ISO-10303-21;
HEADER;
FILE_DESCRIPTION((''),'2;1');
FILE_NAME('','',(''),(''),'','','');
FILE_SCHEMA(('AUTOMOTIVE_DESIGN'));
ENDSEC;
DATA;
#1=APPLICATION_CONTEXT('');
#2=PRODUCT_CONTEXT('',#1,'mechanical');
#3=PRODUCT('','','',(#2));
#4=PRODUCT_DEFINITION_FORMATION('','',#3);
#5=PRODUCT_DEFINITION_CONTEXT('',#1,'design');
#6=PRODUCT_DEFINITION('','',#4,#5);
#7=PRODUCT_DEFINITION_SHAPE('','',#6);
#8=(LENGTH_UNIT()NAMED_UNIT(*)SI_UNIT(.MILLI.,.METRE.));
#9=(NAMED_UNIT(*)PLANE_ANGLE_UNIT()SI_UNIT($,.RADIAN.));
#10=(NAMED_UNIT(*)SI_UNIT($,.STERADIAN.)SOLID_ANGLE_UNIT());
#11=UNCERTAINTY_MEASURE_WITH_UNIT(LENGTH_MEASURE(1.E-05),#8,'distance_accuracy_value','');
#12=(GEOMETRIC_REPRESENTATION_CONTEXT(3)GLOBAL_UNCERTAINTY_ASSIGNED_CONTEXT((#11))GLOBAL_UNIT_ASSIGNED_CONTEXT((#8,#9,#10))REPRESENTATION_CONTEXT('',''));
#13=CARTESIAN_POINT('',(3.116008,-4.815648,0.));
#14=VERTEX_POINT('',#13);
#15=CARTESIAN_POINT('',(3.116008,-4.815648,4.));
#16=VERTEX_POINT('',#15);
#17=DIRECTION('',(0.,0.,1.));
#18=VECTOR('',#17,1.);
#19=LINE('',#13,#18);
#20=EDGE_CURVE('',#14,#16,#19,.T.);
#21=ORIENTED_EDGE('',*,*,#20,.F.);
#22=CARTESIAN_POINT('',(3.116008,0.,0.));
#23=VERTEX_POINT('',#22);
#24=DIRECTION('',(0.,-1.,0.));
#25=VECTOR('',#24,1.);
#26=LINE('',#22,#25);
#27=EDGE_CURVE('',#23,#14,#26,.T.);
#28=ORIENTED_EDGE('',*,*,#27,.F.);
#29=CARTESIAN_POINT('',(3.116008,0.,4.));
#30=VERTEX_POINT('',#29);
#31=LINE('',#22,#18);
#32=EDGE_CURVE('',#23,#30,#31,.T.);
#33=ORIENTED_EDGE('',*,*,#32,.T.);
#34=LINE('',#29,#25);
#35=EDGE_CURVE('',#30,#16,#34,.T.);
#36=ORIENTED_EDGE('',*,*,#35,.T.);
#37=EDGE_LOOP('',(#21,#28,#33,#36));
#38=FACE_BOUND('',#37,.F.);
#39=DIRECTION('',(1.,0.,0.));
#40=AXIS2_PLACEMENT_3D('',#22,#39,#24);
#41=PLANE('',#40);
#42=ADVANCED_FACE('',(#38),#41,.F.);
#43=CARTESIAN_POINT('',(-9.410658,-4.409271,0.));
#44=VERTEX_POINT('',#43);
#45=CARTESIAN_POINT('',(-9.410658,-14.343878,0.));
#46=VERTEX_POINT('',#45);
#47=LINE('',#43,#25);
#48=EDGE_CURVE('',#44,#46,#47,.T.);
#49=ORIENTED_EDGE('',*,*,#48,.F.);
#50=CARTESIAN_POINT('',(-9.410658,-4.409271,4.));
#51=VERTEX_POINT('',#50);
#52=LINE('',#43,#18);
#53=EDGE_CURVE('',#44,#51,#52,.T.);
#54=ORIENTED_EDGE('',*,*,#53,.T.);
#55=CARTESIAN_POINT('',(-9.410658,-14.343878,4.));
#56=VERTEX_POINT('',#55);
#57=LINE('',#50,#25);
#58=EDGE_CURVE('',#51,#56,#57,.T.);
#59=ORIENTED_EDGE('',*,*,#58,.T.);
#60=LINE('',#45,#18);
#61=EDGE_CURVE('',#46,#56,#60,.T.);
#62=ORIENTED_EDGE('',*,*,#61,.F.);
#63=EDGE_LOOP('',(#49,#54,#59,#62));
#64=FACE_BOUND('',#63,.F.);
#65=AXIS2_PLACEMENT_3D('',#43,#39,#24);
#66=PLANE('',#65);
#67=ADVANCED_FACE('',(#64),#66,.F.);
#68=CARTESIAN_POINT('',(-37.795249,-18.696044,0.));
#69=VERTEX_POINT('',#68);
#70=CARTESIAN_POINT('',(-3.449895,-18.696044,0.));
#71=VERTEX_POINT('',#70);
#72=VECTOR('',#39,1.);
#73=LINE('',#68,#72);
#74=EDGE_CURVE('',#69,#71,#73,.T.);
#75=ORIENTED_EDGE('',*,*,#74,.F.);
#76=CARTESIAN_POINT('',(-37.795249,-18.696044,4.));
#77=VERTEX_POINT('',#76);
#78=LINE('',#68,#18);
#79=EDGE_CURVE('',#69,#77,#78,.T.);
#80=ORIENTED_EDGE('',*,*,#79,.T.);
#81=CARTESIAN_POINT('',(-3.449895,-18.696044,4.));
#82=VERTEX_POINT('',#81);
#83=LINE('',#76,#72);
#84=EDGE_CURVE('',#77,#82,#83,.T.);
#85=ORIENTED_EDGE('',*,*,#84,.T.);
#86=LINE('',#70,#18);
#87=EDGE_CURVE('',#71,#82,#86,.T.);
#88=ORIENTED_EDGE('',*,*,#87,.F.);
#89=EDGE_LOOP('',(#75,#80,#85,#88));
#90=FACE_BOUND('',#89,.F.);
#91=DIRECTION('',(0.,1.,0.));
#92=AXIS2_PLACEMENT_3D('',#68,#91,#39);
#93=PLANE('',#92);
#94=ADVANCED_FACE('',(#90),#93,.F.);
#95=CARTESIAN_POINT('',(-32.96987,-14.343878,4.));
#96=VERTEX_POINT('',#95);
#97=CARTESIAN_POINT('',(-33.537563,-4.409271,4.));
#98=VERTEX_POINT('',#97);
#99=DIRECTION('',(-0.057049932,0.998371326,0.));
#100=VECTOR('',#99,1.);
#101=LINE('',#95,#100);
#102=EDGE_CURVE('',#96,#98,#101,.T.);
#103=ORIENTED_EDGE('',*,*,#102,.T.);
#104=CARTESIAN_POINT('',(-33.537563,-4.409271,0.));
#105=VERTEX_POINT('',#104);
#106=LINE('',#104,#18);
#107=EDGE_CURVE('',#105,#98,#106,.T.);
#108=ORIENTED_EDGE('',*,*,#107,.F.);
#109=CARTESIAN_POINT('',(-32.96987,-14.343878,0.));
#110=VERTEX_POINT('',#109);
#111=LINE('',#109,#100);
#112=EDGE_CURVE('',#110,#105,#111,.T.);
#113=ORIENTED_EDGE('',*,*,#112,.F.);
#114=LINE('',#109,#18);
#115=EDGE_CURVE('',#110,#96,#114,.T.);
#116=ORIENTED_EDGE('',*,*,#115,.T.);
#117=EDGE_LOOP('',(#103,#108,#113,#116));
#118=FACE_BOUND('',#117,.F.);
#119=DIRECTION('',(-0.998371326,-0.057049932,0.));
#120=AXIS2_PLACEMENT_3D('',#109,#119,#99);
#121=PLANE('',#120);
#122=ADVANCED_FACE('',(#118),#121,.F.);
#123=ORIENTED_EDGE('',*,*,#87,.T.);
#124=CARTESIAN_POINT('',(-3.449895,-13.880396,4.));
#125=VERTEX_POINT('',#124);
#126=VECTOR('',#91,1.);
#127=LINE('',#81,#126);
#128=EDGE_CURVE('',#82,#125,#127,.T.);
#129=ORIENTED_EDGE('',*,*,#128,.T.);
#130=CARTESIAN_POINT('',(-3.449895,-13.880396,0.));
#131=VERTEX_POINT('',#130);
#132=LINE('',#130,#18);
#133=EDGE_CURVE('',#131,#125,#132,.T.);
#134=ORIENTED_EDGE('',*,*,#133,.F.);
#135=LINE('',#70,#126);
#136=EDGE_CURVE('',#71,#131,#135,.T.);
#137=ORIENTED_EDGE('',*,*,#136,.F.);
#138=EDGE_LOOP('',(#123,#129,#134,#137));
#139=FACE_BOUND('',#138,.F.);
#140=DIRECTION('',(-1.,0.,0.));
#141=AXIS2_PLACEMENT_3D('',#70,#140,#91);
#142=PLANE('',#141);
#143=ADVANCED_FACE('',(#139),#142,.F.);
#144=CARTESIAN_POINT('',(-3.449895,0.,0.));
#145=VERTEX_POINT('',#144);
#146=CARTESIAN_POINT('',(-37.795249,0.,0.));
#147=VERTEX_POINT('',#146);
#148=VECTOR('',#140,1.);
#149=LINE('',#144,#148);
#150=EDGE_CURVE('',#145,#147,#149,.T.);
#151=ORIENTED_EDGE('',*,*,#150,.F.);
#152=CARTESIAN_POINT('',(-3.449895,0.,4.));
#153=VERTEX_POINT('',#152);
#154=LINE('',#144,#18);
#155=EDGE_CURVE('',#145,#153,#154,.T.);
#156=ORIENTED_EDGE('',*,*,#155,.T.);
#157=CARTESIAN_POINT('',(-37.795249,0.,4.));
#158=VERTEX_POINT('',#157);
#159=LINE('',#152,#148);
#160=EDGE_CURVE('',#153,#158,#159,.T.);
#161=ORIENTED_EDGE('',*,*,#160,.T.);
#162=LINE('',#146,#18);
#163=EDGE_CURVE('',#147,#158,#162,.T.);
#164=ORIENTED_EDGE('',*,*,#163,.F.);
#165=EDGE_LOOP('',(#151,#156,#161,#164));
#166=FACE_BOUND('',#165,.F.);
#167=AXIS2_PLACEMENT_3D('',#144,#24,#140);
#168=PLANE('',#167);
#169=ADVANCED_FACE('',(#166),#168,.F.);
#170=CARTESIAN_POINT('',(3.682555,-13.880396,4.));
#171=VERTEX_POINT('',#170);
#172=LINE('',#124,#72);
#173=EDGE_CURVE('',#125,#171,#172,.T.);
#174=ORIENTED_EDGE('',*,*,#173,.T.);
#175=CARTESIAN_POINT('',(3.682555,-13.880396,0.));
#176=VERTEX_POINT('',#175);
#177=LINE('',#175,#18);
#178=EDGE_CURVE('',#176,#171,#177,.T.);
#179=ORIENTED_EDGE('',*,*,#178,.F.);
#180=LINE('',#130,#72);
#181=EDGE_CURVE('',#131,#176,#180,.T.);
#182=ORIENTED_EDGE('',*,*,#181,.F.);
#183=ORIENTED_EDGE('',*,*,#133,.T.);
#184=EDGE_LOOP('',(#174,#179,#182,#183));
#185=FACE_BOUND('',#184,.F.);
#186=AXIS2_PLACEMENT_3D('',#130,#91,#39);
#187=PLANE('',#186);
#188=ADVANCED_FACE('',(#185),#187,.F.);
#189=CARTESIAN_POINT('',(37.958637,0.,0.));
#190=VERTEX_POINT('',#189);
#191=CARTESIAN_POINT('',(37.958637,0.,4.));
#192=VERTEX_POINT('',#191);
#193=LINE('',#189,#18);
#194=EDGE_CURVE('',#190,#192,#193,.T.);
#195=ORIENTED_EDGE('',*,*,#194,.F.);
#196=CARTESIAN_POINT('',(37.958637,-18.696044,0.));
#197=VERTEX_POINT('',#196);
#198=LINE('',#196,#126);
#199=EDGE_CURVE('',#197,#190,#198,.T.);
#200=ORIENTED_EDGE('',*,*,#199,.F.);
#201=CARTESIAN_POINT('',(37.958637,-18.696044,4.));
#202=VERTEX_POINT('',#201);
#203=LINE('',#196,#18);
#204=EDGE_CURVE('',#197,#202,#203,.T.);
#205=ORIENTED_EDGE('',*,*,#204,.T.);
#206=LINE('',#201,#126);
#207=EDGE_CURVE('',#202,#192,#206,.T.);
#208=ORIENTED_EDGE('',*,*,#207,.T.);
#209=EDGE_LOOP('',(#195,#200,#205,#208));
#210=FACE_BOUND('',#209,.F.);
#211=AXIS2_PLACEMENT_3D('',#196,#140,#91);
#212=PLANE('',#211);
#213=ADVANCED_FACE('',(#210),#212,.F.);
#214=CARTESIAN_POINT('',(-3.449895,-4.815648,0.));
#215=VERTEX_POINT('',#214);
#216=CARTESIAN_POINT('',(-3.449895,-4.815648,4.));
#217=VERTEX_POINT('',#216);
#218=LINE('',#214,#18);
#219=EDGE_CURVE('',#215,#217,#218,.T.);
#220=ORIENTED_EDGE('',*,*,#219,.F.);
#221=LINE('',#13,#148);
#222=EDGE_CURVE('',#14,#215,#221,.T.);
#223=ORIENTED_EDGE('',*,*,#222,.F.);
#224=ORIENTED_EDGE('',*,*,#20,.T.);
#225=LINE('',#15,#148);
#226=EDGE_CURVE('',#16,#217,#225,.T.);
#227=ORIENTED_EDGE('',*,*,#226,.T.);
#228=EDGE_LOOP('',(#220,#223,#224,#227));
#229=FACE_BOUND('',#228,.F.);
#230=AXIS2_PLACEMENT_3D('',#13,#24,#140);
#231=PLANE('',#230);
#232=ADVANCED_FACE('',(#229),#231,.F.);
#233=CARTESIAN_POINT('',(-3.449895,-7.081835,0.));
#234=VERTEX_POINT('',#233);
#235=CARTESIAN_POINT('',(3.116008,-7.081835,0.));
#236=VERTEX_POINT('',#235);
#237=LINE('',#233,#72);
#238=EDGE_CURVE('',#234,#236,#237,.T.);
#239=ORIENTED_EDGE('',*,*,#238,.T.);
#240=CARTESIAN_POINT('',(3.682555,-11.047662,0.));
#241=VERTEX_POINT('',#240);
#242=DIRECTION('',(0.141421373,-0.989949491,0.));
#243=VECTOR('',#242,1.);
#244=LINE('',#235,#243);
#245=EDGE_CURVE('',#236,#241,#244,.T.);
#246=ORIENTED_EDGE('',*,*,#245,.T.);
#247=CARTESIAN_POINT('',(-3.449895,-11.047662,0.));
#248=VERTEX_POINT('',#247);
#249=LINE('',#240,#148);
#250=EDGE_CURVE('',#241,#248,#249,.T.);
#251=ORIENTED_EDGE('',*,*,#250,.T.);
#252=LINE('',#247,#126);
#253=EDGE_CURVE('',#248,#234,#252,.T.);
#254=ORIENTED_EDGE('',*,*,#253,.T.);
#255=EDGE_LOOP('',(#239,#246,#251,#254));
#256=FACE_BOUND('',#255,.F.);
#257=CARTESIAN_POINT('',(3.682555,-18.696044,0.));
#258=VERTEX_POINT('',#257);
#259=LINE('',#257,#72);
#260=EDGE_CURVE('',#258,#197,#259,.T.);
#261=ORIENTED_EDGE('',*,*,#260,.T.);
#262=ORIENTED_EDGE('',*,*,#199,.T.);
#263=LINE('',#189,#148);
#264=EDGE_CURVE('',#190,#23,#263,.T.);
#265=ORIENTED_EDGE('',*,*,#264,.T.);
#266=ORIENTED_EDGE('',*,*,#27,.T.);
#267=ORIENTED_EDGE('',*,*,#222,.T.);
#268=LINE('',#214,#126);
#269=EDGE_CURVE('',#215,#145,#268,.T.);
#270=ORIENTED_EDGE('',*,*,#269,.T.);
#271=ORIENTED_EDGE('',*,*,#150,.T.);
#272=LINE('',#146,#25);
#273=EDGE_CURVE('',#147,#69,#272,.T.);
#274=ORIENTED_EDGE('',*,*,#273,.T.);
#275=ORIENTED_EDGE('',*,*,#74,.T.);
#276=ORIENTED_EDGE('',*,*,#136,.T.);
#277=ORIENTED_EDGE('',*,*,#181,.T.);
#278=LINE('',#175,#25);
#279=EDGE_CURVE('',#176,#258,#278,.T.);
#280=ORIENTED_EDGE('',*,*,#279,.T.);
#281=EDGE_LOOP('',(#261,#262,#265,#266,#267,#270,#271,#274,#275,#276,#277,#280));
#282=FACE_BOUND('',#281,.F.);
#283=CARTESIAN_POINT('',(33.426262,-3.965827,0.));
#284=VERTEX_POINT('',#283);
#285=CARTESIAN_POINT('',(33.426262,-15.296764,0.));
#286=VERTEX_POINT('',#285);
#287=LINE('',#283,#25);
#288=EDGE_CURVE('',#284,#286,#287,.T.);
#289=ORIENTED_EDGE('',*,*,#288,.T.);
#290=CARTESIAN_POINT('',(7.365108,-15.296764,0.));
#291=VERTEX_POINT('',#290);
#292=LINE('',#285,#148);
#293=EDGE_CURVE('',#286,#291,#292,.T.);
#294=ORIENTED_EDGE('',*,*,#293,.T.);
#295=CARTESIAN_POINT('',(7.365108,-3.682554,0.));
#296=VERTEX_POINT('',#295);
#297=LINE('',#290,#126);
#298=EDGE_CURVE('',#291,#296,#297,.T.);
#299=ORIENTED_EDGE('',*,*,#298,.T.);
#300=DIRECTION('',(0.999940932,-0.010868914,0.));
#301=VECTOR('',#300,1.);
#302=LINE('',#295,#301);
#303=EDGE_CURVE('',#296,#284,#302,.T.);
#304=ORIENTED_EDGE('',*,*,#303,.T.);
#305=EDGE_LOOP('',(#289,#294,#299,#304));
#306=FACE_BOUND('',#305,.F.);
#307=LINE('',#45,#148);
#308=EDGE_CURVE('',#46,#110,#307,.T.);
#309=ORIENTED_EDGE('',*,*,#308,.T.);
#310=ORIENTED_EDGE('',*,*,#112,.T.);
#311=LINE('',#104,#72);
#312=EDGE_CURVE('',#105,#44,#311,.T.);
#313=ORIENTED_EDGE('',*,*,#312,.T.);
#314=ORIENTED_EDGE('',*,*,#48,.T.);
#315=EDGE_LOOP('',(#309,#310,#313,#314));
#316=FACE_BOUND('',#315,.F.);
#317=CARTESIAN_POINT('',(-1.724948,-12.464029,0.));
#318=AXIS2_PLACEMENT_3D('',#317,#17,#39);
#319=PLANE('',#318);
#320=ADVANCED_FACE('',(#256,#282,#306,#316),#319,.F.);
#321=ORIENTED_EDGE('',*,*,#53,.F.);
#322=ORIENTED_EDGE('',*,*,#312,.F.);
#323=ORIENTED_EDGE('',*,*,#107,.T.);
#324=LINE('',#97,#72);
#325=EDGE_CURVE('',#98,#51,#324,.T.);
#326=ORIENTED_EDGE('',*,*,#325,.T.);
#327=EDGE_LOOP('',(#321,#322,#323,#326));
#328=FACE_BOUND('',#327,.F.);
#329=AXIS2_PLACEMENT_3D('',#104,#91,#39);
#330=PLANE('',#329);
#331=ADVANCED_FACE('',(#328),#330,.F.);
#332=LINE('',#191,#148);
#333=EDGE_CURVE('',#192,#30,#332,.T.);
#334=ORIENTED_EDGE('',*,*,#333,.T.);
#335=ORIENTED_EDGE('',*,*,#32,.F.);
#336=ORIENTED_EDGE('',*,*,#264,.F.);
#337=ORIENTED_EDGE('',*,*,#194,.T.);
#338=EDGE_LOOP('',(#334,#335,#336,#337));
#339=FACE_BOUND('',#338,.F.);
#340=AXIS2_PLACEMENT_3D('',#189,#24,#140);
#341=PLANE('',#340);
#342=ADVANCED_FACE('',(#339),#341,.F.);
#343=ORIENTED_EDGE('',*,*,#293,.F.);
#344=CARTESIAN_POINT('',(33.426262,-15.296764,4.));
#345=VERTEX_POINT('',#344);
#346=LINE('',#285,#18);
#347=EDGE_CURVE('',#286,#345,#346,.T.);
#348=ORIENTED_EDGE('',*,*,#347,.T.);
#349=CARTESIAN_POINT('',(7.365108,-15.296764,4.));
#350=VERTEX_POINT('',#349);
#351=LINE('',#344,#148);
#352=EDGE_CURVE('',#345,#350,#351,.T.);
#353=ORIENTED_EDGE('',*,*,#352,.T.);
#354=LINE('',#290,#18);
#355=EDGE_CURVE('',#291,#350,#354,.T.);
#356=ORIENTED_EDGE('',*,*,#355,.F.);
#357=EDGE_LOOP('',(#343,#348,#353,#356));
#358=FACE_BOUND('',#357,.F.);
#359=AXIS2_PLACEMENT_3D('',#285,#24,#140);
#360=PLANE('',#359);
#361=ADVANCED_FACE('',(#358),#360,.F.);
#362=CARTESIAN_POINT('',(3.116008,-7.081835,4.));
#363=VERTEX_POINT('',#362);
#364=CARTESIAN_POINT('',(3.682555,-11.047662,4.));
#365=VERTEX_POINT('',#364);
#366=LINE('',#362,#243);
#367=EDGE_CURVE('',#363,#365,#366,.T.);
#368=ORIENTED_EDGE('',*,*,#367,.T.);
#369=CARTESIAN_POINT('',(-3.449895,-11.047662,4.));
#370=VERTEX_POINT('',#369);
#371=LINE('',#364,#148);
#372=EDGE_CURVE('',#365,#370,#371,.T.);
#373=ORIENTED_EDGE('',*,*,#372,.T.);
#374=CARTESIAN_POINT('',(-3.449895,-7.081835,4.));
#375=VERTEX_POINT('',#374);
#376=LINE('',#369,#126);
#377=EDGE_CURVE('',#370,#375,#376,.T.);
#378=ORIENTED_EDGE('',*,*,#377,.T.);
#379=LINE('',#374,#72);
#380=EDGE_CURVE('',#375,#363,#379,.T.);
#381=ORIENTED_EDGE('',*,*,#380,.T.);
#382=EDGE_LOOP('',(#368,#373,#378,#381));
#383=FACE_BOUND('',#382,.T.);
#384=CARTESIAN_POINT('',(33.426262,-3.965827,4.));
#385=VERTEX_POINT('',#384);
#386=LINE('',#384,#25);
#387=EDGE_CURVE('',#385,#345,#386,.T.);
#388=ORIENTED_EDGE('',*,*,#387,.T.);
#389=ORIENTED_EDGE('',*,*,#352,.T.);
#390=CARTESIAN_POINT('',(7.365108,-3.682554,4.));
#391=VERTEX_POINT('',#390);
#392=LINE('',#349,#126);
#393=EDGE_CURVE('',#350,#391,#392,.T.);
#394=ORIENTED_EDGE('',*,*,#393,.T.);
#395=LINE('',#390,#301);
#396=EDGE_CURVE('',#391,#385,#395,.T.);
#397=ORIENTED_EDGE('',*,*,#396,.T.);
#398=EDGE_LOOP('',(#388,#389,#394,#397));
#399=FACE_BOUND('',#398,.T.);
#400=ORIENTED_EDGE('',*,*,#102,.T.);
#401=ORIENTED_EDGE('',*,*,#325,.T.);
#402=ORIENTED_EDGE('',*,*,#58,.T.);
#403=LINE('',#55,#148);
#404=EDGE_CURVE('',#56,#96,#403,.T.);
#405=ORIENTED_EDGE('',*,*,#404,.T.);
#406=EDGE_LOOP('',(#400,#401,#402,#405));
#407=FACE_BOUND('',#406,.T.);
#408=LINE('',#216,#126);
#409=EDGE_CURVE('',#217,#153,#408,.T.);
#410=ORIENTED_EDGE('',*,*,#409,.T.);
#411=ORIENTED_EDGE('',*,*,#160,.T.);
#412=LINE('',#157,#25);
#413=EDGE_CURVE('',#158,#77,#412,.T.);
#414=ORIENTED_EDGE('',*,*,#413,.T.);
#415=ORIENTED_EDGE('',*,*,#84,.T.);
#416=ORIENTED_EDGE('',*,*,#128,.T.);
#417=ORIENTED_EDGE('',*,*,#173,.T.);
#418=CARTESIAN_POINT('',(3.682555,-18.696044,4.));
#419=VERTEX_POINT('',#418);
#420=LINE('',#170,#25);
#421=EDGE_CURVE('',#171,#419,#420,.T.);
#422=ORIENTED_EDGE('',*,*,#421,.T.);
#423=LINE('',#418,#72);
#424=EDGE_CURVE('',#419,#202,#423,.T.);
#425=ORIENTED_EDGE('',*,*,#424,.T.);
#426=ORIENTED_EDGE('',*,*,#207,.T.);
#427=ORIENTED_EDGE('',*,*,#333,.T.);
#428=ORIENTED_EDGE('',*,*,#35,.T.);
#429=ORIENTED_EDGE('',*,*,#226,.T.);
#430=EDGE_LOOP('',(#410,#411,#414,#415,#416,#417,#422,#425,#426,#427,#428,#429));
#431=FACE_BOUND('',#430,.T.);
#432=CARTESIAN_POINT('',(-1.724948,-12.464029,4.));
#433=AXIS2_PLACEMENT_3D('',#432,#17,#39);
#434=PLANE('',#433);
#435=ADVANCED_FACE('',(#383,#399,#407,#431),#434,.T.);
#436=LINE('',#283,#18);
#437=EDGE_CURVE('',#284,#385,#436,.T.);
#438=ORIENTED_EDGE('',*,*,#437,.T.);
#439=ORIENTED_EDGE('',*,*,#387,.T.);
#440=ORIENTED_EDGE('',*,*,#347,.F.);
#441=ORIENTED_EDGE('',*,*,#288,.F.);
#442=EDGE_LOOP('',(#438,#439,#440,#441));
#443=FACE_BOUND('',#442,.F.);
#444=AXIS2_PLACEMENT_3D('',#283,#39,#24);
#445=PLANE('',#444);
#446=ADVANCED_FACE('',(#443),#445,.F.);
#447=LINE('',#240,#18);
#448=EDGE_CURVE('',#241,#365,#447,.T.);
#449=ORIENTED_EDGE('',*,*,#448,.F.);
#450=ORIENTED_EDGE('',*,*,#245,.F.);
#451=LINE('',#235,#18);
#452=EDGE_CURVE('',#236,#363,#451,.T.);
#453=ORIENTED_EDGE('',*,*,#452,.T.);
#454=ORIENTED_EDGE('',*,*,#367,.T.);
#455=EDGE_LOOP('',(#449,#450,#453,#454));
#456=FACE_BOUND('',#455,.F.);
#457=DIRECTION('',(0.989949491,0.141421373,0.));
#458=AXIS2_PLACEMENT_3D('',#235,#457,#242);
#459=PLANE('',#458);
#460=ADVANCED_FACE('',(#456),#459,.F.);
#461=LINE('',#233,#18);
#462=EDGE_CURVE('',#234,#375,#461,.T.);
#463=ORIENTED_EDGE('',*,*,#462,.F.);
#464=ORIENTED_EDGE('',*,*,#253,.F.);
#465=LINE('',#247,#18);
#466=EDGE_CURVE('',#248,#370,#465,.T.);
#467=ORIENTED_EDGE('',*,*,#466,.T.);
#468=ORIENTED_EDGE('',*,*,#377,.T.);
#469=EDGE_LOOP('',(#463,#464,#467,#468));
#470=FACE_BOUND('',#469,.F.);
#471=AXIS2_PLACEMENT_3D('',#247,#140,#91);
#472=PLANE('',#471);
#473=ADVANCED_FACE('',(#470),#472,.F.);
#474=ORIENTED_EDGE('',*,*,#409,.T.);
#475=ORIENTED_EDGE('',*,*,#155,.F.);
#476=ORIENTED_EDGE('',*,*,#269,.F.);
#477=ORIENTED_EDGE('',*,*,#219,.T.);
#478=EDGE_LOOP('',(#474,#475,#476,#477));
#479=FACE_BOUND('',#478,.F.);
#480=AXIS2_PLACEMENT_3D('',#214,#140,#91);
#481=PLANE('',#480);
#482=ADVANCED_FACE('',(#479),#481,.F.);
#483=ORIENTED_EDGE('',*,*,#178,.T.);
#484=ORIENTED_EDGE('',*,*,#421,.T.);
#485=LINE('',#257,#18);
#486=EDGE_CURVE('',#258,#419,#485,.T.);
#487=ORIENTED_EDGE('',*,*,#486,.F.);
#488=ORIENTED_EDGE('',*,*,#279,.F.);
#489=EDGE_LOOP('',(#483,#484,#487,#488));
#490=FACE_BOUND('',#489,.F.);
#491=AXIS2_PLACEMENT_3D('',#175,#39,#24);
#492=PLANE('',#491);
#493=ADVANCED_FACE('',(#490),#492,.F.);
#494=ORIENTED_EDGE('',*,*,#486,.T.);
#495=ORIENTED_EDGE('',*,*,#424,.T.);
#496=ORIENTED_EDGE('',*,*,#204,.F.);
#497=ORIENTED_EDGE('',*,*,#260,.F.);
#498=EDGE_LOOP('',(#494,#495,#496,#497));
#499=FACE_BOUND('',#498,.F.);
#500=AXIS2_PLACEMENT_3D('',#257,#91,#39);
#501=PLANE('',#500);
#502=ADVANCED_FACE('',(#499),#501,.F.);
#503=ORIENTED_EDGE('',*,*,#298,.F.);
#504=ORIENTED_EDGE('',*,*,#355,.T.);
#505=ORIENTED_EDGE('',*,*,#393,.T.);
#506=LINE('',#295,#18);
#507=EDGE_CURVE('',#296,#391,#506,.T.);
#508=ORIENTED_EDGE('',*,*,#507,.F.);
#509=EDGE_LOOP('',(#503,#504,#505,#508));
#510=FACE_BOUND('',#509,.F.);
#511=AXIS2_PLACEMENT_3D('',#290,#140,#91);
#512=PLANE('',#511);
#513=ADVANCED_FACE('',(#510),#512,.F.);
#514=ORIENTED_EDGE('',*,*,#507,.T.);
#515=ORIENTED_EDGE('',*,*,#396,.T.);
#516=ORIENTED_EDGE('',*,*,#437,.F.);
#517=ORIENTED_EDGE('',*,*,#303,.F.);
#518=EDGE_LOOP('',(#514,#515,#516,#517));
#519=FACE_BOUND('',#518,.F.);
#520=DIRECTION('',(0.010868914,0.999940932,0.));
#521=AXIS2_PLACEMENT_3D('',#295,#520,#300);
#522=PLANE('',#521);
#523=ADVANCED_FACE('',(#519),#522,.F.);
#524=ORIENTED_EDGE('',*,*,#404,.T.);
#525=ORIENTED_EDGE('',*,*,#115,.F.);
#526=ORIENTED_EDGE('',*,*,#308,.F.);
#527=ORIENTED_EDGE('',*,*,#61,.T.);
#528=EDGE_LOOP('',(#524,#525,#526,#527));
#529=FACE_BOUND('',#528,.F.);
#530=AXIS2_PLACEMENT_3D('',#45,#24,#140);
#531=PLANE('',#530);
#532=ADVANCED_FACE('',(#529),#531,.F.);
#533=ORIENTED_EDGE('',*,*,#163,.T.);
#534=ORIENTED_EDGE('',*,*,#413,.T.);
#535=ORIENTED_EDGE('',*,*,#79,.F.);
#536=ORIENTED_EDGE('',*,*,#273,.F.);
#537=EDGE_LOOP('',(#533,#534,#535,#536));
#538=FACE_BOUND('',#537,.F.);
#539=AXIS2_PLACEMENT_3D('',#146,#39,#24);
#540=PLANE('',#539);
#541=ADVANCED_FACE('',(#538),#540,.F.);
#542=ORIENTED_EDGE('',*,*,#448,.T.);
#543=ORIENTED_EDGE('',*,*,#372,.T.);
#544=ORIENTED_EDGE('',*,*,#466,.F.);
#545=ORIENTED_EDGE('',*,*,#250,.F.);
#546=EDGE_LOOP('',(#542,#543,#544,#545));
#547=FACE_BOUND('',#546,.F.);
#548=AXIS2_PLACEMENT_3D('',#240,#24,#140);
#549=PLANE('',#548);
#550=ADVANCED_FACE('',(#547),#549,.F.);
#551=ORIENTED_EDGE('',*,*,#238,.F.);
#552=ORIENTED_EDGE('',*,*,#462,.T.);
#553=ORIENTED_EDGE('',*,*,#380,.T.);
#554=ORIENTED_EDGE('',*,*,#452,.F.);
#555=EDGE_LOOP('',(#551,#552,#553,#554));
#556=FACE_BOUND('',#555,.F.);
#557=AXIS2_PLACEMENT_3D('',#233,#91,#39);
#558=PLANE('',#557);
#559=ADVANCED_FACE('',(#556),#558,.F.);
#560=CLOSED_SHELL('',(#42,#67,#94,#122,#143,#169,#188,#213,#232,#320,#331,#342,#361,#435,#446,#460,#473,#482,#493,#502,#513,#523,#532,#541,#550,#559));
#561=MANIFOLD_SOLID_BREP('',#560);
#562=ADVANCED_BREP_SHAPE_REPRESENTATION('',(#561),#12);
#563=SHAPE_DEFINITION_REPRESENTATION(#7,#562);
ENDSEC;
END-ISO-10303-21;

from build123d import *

# Parameters (mm, degrees)
F0_W     = 3.4498951863
F0_H     = 2.832734026
F0_H_2   = 2.2661872208
F1_DEPTH = 4


with BuildPart() as f1:
    # F0 (on Top) → F1 (new body)
    with BuildSketch(Plane.XY):
        with Locations((-1.7249475932, -12.4640292488)):
            Rectangle(F0_W, F0_H)
        with Locations((-1.7249475932, -5.9487414546)):
            Rectangle(F0_W, F0_H_2)
        Polygon((18.1294977665, 0), (3.1160083599, 0), (3.1160083599, -4.8156478442), (0, -4.8156478442), (0, -7.081835065), (3.1160083599, -7.081835065), (3.6825551651, -11.0476622358), (0, -11.0476622358), (0, -13.8803962618), (3.6825551651, -13.8803962618), (3.6825551651, -18.6960436404), (37.9586368799, -18.6960436404), (37.9586368799, 0), (32.2931706905, 0), align=None)
        Polygon((7.3651084676, -3.682554001), (33.4262624383, -3.9658271708), (33.4262624383, -15.2967637405), (7.3651084676, -15.2967637405), align=None, mode=Mode.SUBTRACT)
        Polygon((-3.4498951863, -7.081835065), (-3.4498951863, -4.8156478442), (-3.4498951863, 0), (-6.85604522, 0), (-37.7952493727, 0), (-37.7952493727, -18.6960436404), (-3.4498951863, -18.6960436404), (-3.4498951863, -13.8803962618), (-3.4498951863, -11.0476622358), align=None)
        Polygon((-32.9698696733, -14.3438782543), (-33.5375629365, -4.4092708267), (-9.4106579199, -4.4092708267), (-9.4106579199, -14.3438782543), align=None, mode=Mode.SUBTRACT)
    extrude(amount=F1_DEPTH)


solid = f1.part
